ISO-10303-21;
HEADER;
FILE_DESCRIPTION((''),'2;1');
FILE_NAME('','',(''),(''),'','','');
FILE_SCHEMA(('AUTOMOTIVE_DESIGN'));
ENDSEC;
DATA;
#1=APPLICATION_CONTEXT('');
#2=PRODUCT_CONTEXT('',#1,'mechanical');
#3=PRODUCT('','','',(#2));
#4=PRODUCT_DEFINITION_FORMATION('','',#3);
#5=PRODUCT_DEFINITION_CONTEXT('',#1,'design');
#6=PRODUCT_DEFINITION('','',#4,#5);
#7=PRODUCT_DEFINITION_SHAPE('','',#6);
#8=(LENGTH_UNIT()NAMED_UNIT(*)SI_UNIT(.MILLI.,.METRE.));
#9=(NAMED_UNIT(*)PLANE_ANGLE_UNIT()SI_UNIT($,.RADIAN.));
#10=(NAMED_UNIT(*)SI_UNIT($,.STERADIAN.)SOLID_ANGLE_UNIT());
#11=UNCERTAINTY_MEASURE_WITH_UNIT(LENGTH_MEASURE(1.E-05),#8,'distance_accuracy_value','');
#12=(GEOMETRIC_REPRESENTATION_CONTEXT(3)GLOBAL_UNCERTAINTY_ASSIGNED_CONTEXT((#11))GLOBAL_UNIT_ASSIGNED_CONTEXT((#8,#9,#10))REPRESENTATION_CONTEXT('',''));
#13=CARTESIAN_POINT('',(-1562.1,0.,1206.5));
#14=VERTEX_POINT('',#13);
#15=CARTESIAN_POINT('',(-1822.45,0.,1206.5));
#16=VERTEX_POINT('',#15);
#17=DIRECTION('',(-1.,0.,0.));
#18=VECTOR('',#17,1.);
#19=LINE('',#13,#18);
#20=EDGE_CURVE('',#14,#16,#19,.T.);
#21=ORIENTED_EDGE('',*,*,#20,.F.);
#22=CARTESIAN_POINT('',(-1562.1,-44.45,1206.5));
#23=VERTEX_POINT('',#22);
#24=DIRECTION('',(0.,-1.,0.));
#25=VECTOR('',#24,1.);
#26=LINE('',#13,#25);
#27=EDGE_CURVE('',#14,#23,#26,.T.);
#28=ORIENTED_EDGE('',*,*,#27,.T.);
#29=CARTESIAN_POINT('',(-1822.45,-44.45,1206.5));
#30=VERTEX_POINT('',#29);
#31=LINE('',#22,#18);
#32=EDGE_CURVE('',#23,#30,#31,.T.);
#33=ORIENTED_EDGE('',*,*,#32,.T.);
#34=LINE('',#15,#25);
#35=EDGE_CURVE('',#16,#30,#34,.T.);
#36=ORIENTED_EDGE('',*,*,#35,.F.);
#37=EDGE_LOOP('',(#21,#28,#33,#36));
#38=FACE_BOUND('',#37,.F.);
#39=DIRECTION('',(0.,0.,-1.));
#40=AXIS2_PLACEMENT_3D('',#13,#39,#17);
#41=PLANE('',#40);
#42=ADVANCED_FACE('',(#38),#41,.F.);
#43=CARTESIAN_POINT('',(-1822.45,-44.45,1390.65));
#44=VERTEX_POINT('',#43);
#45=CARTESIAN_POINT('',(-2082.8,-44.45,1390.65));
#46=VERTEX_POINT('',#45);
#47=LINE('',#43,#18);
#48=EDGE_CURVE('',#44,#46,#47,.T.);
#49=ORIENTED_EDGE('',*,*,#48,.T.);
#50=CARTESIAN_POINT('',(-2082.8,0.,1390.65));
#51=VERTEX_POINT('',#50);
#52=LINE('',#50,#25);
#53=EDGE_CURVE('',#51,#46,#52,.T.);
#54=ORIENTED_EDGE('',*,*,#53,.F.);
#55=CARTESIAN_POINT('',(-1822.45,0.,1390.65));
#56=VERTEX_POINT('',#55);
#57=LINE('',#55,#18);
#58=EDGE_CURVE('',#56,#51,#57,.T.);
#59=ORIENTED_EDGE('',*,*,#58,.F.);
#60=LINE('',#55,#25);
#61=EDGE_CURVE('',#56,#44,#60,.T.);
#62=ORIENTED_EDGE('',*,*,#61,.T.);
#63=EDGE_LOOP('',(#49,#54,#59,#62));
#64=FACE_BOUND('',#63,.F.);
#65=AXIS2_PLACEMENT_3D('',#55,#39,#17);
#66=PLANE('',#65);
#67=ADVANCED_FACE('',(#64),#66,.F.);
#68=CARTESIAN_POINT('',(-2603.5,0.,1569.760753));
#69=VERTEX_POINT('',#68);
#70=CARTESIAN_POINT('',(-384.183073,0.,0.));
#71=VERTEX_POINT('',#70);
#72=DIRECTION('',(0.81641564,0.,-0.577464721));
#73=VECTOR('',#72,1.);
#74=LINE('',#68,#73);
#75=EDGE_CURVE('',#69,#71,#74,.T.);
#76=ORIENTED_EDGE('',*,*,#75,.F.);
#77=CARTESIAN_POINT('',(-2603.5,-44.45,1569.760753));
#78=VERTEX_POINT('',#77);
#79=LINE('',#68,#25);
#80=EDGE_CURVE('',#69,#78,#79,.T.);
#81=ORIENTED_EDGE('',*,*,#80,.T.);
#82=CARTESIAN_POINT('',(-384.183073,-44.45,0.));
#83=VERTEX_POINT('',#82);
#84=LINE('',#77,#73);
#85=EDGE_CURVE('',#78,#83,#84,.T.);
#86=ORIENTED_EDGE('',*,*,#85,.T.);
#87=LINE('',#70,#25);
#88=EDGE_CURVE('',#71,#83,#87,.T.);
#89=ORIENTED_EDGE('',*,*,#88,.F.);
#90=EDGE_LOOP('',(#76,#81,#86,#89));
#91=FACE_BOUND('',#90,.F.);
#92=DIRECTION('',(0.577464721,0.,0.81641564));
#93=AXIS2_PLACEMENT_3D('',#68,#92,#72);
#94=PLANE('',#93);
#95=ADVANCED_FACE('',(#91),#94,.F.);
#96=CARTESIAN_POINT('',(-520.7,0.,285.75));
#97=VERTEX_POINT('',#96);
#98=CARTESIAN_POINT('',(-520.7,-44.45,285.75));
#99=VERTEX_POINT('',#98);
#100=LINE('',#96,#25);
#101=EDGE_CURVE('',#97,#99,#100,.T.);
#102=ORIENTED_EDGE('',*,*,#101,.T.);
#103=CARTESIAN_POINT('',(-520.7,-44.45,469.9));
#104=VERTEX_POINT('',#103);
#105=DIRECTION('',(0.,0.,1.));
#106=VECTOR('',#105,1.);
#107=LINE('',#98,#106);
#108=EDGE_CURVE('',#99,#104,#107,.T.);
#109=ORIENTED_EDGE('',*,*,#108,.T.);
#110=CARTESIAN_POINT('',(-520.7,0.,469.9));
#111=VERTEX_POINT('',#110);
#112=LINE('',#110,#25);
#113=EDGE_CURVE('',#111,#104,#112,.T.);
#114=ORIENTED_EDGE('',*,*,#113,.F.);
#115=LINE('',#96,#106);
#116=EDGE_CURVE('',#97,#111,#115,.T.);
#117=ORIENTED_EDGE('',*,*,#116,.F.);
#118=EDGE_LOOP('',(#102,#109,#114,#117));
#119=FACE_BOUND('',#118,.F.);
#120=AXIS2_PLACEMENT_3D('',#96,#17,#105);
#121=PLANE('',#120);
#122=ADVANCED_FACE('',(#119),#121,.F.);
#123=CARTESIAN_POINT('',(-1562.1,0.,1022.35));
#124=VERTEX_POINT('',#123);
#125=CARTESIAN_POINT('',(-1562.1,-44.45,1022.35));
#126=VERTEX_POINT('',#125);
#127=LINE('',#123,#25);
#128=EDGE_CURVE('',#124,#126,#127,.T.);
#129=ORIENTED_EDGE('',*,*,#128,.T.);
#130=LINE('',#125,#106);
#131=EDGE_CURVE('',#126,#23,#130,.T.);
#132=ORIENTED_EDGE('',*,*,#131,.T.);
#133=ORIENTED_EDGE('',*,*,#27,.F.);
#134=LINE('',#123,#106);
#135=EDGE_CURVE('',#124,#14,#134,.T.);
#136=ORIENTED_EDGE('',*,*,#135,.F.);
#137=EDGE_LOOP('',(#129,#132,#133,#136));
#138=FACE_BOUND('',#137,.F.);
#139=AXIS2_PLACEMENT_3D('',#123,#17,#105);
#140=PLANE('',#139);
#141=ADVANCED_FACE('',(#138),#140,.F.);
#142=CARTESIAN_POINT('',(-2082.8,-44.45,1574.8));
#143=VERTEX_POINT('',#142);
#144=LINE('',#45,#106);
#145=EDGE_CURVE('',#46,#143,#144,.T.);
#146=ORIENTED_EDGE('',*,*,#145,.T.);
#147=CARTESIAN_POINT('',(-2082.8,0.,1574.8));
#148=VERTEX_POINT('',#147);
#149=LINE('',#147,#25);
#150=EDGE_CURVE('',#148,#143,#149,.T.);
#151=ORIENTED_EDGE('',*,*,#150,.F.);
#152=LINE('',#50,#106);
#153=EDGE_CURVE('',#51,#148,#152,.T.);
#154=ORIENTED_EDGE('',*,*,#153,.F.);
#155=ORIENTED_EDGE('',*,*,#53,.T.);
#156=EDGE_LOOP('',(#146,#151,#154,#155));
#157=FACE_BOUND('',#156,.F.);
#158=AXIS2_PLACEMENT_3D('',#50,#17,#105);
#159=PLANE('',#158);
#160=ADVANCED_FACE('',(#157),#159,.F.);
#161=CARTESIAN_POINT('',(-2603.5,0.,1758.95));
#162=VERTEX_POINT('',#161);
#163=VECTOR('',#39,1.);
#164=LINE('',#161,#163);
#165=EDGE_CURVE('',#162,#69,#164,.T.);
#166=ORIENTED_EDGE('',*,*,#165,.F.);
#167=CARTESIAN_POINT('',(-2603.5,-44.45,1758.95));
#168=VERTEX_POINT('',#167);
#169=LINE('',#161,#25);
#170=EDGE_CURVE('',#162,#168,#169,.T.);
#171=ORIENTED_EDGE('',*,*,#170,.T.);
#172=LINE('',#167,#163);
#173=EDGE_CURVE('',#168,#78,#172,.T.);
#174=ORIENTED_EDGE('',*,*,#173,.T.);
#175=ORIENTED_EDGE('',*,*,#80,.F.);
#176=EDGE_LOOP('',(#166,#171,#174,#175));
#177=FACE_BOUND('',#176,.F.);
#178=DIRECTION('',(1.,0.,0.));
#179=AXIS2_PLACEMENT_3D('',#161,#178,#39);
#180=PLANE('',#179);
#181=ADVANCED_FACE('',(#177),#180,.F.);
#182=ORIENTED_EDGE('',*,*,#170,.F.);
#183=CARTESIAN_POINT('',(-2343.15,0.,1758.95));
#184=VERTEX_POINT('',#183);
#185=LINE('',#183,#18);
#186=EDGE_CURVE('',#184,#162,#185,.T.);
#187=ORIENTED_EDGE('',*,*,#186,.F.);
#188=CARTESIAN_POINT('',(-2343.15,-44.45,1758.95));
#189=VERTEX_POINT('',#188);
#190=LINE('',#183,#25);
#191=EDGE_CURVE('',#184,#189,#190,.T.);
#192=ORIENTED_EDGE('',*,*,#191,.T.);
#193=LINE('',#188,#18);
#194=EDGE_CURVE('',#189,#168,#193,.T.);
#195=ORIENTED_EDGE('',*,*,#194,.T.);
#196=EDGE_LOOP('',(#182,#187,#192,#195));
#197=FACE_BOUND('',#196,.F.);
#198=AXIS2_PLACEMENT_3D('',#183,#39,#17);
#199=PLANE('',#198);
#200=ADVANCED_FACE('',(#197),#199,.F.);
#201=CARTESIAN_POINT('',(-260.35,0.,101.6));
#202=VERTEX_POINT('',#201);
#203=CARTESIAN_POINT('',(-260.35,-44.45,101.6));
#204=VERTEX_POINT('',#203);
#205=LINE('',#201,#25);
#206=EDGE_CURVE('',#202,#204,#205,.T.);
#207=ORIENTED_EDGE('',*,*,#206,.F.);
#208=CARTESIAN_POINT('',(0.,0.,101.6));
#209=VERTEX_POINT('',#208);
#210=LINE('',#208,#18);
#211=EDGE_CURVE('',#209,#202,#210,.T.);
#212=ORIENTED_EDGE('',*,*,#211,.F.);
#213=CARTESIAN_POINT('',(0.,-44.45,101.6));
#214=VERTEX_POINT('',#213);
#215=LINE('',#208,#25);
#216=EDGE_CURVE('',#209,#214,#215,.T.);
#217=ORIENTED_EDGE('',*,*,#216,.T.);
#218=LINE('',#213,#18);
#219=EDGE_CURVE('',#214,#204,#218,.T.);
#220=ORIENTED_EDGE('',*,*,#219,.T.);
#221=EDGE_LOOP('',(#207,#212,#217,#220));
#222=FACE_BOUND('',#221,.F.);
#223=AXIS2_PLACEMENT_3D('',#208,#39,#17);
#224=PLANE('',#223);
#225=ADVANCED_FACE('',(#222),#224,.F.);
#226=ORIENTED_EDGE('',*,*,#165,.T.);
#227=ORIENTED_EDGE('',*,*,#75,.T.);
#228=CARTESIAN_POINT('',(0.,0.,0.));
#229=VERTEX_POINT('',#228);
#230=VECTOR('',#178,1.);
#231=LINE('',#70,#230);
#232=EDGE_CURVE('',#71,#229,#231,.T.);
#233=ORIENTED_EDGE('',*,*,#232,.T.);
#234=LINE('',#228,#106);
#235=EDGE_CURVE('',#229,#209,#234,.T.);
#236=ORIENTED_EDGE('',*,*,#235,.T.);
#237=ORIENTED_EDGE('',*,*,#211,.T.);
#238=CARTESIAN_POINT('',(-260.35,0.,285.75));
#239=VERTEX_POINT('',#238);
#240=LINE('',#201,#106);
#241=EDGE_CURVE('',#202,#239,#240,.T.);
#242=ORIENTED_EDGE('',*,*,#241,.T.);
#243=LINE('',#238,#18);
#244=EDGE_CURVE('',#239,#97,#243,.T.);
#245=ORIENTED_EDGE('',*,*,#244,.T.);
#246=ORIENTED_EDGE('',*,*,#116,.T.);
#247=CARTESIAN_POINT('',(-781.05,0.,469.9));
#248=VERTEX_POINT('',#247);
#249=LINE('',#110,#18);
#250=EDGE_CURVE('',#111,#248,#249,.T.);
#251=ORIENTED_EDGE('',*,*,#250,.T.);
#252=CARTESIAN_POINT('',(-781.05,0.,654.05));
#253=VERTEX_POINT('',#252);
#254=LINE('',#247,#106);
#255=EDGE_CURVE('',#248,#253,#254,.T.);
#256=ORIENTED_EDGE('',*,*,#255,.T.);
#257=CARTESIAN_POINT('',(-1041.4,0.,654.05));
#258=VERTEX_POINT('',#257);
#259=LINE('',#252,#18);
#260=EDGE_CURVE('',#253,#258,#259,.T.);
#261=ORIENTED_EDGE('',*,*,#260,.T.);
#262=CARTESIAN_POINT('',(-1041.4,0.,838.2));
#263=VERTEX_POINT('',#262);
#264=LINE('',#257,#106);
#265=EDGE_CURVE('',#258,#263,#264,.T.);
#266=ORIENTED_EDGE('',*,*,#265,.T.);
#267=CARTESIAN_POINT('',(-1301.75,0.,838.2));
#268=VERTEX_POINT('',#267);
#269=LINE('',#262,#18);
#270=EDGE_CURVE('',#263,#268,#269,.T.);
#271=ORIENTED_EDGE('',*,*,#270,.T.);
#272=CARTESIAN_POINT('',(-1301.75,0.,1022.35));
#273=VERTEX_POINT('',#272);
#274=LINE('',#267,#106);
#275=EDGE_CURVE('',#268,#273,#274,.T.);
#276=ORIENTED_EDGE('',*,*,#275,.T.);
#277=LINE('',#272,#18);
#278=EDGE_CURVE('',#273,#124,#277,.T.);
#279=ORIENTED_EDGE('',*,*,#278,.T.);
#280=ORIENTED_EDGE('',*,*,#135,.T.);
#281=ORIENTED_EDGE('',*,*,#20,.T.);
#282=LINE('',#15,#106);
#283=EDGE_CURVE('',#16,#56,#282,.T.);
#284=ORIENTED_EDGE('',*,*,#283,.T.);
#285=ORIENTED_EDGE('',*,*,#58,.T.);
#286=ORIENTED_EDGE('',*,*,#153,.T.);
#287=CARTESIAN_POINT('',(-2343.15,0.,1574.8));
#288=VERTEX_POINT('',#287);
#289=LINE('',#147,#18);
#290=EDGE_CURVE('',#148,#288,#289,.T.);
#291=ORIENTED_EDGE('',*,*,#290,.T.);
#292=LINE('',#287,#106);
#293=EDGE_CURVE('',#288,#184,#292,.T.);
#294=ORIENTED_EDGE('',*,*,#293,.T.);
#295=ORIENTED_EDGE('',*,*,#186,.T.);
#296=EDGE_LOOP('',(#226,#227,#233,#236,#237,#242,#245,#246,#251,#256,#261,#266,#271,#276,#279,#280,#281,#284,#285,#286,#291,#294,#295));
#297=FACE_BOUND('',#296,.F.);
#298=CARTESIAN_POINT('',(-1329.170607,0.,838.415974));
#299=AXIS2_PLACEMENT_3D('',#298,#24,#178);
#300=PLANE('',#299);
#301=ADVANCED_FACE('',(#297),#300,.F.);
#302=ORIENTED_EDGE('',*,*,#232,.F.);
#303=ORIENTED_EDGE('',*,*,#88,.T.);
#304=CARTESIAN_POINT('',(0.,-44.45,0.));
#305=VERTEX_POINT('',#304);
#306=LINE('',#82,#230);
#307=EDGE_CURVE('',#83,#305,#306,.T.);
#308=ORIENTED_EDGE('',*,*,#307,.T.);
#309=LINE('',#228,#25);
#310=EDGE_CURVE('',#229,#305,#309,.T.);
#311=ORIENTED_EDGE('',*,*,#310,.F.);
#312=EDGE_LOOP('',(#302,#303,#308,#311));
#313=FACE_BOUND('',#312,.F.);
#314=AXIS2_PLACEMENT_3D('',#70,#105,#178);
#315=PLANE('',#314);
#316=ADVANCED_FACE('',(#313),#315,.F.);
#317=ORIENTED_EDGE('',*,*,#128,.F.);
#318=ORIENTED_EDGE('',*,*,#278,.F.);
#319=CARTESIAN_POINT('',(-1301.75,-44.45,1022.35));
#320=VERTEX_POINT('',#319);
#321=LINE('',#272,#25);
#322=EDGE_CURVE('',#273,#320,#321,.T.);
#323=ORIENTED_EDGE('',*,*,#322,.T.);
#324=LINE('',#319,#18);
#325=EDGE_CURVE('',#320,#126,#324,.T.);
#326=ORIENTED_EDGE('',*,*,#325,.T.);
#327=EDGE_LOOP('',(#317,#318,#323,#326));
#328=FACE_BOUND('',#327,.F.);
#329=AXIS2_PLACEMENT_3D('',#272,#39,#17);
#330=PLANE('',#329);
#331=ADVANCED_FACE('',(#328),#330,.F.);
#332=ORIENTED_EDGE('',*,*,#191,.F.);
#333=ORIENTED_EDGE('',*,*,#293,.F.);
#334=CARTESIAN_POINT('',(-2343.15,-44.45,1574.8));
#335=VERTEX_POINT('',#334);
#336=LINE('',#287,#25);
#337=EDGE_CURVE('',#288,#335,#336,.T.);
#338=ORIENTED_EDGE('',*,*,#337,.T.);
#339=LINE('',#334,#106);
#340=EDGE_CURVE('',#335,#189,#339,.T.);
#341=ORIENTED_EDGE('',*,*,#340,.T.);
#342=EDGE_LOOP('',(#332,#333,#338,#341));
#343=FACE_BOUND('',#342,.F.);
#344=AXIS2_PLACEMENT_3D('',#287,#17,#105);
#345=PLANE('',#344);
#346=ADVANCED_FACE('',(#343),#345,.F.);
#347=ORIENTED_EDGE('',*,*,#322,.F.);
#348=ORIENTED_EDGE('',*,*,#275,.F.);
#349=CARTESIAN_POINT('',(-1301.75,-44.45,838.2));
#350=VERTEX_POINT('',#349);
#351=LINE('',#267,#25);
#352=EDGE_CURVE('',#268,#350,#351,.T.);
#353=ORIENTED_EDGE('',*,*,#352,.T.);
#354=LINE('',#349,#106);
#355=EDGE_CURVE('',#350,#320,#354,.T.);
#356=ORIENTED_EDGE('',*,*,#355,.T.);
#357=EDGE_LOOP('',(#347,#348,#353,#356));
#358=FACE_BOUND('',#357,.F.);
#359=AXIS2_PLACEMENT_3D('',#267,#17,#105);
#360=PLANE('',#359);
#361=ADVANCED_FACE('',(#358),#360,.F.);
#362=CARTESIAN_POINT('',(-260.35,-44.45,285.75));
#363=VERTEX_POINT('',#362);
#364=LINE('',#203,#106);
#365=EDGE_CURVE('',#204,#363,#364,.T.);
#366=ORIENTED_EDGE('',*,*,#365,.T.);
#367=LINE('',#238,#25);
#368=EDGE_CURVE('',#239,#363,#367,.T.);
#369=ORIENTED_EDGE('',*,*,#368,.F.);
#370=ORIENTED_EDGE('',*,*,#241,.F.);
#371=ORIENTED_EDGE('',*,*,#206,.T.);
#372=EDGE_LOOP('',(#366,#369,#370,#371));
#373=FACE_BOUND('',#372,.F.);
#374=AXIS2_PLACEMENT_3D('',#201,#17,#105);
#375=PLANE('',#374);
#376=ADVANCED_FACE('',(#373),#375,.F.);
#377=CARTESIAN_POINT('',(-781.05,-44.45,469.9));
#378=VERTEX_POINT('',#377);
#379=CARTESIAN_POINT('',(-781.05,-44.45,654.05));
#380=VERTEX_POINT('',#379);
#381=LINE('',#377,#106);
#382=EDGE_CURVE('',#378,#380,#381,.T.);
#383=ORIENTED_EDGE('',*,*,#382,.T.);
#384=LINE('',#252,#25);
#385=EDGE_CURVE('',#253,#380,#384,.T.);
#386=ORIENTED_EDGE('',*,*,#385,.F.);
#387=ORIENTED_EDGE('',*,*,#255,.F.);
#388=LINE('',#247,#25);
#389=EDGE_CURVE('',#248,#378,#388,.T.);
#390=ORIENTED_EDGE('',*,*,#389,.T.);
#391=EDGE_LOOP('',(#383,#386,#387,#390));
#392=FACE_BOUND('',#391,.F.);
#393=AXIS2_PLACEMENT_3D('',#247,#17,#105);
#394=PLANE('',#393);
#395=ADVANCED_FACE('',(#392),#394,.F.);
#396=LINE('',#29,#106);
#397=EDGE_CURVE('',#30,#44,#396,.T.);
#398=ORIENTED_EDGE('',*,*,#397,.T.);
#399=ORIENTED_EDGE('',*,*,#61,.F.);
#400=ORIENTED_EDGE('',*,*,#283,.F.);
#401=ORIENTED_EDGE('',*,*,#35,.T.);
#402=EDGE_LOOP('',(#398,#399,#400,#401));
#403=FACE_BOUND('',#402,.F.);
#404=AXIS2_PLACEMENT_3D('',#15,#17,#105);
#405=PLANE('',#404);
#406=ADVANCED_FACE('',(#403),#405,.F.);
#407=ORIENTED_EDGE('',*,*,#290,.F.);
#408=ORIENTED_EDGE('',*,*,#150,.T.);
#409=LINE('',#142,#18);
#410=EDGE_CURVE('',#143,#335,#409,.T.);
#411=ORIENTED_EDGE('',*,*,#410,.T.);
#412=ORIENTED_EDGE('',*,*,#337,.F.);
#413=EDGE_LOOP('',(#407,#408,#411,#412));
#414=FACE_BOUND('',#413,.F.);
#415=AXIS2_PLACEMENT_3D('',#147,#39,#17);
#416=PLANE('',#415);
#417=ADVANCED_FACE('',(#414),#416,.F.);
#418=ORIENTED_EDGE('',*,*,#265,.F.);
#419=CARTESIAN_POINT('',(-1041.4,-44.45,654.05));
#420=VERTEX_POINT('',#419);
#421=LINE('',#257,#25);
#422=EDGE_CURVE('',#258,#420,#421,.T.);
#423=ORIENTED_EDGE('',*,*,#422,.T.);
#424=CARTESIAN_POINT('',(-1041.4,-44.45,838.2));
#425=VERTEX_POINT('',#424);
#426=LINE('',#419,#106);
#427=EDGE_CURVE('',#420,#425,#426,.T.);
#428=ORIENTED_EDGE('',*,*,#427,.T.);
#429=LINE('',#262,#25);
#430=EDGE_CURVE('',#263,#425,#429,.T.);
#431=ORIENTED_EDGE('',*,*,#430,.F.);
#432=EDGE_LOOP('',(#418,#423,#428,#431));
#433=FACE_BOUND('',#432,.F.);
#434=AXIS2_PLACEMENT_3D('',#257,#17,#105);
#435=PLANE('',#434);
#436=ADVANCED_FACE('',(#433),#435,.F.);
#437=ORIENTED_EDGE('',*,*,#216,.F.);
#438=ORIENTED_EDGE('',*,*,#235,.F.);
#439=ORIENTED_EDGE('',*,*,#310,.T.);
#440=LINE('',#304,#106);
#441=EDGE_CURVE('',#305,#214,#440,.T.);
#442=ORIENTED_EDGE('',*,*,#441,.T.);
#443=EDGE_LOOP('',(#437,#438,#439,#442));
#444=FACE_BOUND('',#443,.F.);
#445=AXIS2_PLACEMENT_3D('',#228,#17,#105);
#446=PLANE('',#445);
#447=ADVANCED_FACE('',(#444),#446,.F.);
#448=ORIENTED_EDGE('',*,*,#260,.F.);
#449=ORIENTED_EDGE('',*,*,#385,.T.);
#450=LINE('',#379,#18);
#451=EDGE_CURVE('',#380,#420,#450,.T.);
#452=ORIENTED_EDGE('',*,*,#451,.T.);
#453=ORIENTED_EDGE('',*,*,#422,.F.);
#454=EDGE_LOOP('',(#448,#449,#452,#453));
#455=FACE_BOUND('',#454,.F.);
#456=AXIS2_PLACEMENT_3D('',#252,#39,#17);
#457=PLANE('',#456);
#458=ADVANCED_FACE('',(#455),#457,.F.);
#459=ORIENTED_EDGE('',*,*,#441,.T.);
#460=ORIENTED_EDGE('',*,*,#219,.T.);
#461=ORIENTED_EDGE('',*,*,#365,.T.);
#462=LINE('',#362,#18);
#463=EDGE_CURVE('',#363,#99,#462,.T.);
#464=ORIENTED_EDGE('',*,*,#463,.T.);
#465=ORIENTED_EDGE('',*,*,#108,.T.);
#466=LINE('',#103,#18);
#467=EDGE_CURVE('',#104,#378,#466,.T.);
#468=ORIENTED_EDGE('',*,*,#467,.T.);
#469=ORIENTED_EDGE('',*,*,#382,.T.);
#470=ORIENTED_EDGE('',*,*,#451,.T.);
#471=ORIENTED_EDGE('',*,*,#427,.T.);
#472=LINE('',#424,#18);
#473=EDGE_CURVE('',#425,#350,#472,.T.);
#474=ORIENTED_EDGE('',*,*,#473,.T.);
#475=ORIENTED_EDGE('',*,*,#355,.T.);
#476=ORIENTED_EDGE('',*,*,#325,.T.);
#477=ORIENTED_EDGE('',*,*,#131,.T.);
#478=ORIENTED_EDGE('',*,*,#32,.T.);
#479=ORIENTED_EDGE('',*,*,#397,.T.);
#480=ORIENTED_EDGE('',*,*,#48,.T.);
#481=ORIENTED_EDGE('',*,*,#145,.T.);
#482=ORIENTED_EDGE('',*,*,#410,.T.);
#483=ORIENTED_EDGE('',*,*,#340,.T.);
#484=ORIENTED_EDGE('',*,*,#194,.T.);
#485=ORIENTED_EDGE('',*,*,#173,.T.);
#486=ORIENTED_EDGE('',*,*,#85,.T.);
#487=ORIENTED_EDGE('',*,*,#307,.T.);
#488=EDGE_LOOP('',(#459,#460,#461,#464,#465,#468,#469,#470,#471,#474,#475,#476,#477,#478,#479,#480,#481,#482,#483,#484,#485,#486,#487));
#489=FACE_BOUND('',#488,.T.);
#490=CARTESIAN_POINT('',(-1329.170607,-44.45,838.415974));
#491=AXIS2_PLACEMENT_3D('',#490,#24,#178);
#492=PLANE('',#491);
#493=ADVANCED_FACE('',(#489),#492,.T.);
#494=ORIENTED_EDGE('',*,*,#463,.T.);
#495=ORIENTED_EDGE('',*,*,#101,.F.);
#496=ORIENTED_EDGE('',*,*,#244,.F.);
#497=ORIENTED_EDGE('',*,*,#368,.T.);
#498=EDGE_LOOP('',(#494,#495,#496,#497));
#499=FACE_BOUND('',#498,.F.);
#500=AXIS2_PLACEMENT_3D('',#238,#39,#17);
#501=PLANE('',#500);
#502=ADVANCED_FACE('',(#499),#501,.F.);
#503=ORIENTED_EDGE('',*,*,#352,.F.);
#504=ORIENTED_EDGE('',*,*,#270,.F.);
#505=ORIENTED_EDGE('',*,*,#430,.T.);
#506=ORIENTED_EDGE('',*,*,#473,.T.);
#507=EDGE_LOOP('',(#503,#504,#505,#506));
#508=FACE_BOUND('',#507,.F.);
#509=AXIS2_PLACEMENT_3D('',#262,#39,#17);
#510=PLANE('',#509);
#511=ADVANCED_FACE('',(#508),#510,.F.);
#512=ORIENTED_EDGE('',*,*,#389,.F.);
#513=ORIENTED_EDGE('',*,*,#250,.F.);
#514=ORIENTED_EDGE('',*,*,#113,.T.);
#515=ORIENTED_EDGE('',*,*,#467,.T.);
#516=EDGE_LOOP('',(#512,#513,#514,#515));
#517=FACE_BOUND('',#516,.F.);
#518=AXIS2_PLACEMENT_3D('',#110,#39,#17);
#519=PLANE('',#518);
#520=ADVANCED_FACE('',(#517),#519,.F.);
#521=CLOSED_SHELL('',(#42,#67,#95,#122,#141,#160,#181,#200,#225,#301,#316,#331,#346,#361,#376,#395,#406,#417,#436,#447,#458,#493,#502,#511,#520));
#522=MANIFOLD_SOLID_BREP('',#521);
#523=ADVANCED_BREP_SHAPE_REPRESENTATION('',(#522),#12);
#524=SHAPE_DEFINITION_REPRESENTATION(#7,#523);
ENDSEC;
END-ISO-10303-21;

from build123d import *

# Parameters (mm, degrees)
F1_DEPTH = 44.45


with BuildPart() as f1:
    # F0 (on Front) → F1 (new body)
    with BuildSketch(Plane.XZ):
        Polygon((-384.183073, 0), (0, 0), (0, 101.6), (-260.35, 101.6), (-260.35, 285.75), (-520.7, 285.75), (-520.7, 469.9), (-781.05, 469.9), (-781.05, 654.05), (-1041.4, 654.05), (-1041.4, 838.2), (-1301.75, 838.2), (-1301.75, 1022.35), (-1562.1, 1022.35), (-1562.1, 1206.5), (-1822.45, 1206.5), (-1822.45, 1390.65), (-2082.8, 1390.65), (-2082.8, 1574.8), (-2343.15, 1574.8), (-2343.15, 1758.95), (-2603.5, 1758.95), (-2603.5, 1569.760753), align=None)
    extrude(amount=F1_DEPTH)


solid = f1.part
